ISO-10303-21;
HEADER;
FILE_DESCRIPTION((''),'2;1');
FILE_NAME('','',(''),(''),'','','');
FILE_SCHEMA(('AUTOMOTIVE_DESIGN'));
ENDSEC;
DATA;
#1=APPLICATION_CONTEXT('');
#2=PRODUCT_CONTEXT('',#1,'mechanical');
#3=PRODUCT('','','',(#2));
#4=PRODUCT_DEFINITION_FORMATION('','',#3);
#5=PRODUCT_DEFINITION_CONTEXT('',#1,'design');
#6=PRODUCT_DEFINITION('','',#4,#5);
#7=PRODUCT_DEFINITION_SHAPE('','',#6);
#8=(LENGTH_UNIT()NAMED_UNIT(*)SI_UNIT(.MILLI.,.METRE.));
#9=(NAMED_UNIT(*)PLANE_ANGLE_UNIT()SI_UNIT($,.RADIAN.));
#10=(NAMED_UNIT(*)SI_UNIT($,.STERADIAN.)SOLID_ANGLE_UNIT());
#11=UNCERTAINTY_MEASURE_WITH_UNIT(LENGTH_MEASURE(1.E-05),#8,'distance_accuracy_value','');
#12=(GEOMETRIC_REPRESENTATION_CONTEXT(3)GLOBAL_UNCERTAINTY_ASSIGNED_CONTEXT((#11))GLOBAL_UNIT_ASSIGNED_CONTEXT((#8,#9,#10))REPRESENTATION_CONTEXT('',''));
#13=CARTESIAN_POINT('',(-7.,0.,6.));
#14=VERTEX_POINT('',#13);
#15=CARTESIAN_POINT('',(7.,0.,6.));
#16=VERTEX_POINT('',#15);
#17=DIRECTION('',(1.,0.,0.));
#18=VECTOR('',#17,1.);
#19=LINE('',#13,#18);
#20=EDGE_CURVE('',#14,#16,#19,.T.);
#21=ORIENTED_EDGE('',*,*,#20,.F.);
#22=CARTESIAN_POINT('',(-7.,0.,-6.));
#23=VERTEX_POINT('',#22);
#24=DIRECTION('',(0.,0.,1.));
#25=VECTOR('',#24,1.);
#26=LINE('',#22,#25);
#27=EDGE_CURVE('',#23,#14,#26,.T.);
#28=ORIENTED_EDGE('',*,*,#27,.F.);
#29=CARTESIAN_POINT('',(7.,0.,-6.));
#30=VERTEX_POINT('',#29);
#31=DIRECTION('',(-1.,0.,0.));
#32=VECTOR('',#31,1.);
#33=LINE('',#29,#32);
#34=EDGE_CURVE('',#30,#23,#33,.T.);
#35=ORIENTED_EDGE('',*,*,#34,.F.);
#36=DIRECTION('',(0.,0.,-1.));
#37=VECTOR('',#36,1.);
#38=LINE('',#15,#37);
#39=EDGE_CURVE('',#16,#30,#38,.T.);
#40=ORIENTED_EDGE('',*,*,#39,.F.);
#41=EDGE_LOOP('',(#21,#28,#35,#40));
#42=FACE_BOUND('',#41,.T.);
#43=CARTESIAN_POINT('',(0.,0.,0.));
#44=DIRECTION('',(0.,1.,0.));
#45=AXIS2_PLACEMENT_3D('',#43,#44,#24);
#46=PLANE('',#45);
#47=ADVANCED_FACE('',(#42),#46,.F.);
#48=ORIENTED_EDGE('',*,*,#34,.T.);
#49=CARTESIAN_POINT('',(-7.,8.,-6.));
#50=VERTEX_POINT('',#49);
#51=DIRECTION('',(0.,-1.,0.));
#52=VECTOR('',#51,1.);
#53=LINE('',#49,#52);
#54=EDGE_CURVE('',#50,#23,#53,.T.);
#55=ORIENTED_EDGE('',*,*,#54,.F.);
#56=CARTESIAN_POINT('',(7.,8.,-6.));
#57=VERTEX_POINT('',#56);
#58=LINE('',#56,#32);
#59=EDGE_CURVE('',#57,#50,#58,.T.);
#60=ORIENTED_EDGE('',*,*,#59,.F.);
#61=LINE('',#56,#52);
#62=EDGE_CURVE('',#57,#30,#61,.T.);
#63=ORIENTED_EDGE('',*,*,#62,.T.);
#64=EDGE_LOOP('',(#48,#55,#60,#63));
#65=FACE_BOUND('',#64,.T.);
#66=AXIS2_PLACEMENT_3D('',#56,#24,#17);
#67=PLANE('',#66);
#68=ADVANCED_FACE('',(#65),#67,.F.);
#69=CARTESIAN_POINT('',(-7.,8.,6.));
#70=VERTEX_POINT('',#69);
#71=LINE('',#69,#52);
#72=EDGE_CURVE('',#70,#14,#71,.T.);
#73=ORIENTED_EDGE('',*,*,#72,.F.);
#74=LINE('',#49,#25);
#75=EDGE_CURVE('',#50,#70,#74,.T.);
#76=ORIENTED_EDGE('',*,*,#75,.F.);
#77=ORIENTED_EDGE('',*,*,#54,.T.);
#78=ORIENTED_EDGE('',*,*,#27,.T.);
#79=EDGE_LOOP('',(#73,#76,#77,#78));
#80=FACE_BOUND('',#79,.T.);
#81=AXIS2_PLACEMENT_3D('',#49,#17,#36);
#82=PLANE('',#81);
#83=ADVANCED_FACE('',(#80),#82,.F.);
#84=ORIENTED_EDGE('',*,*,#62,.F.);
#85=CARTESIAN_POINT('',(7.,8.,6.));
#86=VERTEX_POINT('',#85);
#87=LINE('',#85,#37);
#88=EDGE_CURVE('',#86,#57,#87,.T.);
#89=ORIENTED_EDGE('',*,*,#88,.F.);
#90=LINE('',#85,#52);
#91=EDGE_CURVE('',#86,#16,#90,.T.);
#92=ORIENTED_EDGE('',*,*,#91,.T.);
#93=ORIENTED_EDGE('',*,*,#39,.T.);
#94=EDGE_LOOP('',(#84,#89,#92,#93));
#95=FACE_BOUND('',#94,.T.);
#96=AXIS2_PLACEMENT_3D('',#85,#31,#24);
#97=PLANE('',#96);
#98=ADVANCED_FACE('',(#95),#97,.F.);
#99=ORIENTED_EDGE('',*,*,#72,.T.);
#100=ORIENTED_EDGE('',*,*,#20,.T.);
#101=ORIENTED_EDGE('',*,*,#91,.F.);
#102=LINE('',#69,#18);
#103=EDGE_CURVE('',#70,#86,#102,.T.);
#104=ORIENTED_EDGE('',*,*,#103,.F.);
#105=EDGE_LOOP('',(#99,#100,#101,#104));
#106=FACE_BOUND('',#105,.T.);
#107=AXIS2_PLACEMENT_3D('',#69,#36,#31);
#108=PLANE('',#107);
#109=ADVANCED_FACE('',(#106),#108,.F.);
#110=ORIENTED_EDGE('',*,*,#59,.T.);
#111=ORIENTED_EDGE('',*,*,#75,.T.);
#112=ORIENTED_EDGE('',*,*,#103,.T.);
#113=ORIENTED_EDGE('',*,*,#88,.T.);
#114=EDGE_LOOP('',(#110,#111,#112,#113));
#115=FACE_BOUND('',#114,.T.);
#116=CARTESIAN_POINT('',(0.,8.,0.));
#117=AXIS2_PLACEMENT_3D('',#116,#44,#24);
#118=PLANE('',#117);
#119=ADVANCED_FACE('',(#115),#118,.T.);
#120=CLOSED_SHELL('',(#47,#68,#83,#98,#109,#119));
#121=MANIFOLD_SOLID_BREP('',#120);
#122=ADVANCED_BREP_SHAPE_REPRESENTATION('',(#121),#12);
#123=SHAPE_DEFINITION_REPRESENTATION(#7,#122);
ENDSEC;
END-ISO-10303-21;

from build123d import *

# Parameters (mm, degrees)
SK_P01_SPLICEBLOCK_W  = 14
SK_P01_SPLICEBLOCK_H  = 12
P01_SPLICEBLOCK_DEPTH = 8


with BuildPart() as part:
    # SK_P01_Spliceblock → P01_Spliceblock (new body)
    with BuildSketch(Plane(origin=(0, 0, 0), x_dir=(1, 0, 0), z_dir=(0, 1, 0))):
        Rectangle(SK_P01_SPLICEBLOCK_W, SK_P01_SPLICEBLOCK_H)
    extrude(amount=P01_SPLICEBLOCK_DEPTH)


solid = part.part
